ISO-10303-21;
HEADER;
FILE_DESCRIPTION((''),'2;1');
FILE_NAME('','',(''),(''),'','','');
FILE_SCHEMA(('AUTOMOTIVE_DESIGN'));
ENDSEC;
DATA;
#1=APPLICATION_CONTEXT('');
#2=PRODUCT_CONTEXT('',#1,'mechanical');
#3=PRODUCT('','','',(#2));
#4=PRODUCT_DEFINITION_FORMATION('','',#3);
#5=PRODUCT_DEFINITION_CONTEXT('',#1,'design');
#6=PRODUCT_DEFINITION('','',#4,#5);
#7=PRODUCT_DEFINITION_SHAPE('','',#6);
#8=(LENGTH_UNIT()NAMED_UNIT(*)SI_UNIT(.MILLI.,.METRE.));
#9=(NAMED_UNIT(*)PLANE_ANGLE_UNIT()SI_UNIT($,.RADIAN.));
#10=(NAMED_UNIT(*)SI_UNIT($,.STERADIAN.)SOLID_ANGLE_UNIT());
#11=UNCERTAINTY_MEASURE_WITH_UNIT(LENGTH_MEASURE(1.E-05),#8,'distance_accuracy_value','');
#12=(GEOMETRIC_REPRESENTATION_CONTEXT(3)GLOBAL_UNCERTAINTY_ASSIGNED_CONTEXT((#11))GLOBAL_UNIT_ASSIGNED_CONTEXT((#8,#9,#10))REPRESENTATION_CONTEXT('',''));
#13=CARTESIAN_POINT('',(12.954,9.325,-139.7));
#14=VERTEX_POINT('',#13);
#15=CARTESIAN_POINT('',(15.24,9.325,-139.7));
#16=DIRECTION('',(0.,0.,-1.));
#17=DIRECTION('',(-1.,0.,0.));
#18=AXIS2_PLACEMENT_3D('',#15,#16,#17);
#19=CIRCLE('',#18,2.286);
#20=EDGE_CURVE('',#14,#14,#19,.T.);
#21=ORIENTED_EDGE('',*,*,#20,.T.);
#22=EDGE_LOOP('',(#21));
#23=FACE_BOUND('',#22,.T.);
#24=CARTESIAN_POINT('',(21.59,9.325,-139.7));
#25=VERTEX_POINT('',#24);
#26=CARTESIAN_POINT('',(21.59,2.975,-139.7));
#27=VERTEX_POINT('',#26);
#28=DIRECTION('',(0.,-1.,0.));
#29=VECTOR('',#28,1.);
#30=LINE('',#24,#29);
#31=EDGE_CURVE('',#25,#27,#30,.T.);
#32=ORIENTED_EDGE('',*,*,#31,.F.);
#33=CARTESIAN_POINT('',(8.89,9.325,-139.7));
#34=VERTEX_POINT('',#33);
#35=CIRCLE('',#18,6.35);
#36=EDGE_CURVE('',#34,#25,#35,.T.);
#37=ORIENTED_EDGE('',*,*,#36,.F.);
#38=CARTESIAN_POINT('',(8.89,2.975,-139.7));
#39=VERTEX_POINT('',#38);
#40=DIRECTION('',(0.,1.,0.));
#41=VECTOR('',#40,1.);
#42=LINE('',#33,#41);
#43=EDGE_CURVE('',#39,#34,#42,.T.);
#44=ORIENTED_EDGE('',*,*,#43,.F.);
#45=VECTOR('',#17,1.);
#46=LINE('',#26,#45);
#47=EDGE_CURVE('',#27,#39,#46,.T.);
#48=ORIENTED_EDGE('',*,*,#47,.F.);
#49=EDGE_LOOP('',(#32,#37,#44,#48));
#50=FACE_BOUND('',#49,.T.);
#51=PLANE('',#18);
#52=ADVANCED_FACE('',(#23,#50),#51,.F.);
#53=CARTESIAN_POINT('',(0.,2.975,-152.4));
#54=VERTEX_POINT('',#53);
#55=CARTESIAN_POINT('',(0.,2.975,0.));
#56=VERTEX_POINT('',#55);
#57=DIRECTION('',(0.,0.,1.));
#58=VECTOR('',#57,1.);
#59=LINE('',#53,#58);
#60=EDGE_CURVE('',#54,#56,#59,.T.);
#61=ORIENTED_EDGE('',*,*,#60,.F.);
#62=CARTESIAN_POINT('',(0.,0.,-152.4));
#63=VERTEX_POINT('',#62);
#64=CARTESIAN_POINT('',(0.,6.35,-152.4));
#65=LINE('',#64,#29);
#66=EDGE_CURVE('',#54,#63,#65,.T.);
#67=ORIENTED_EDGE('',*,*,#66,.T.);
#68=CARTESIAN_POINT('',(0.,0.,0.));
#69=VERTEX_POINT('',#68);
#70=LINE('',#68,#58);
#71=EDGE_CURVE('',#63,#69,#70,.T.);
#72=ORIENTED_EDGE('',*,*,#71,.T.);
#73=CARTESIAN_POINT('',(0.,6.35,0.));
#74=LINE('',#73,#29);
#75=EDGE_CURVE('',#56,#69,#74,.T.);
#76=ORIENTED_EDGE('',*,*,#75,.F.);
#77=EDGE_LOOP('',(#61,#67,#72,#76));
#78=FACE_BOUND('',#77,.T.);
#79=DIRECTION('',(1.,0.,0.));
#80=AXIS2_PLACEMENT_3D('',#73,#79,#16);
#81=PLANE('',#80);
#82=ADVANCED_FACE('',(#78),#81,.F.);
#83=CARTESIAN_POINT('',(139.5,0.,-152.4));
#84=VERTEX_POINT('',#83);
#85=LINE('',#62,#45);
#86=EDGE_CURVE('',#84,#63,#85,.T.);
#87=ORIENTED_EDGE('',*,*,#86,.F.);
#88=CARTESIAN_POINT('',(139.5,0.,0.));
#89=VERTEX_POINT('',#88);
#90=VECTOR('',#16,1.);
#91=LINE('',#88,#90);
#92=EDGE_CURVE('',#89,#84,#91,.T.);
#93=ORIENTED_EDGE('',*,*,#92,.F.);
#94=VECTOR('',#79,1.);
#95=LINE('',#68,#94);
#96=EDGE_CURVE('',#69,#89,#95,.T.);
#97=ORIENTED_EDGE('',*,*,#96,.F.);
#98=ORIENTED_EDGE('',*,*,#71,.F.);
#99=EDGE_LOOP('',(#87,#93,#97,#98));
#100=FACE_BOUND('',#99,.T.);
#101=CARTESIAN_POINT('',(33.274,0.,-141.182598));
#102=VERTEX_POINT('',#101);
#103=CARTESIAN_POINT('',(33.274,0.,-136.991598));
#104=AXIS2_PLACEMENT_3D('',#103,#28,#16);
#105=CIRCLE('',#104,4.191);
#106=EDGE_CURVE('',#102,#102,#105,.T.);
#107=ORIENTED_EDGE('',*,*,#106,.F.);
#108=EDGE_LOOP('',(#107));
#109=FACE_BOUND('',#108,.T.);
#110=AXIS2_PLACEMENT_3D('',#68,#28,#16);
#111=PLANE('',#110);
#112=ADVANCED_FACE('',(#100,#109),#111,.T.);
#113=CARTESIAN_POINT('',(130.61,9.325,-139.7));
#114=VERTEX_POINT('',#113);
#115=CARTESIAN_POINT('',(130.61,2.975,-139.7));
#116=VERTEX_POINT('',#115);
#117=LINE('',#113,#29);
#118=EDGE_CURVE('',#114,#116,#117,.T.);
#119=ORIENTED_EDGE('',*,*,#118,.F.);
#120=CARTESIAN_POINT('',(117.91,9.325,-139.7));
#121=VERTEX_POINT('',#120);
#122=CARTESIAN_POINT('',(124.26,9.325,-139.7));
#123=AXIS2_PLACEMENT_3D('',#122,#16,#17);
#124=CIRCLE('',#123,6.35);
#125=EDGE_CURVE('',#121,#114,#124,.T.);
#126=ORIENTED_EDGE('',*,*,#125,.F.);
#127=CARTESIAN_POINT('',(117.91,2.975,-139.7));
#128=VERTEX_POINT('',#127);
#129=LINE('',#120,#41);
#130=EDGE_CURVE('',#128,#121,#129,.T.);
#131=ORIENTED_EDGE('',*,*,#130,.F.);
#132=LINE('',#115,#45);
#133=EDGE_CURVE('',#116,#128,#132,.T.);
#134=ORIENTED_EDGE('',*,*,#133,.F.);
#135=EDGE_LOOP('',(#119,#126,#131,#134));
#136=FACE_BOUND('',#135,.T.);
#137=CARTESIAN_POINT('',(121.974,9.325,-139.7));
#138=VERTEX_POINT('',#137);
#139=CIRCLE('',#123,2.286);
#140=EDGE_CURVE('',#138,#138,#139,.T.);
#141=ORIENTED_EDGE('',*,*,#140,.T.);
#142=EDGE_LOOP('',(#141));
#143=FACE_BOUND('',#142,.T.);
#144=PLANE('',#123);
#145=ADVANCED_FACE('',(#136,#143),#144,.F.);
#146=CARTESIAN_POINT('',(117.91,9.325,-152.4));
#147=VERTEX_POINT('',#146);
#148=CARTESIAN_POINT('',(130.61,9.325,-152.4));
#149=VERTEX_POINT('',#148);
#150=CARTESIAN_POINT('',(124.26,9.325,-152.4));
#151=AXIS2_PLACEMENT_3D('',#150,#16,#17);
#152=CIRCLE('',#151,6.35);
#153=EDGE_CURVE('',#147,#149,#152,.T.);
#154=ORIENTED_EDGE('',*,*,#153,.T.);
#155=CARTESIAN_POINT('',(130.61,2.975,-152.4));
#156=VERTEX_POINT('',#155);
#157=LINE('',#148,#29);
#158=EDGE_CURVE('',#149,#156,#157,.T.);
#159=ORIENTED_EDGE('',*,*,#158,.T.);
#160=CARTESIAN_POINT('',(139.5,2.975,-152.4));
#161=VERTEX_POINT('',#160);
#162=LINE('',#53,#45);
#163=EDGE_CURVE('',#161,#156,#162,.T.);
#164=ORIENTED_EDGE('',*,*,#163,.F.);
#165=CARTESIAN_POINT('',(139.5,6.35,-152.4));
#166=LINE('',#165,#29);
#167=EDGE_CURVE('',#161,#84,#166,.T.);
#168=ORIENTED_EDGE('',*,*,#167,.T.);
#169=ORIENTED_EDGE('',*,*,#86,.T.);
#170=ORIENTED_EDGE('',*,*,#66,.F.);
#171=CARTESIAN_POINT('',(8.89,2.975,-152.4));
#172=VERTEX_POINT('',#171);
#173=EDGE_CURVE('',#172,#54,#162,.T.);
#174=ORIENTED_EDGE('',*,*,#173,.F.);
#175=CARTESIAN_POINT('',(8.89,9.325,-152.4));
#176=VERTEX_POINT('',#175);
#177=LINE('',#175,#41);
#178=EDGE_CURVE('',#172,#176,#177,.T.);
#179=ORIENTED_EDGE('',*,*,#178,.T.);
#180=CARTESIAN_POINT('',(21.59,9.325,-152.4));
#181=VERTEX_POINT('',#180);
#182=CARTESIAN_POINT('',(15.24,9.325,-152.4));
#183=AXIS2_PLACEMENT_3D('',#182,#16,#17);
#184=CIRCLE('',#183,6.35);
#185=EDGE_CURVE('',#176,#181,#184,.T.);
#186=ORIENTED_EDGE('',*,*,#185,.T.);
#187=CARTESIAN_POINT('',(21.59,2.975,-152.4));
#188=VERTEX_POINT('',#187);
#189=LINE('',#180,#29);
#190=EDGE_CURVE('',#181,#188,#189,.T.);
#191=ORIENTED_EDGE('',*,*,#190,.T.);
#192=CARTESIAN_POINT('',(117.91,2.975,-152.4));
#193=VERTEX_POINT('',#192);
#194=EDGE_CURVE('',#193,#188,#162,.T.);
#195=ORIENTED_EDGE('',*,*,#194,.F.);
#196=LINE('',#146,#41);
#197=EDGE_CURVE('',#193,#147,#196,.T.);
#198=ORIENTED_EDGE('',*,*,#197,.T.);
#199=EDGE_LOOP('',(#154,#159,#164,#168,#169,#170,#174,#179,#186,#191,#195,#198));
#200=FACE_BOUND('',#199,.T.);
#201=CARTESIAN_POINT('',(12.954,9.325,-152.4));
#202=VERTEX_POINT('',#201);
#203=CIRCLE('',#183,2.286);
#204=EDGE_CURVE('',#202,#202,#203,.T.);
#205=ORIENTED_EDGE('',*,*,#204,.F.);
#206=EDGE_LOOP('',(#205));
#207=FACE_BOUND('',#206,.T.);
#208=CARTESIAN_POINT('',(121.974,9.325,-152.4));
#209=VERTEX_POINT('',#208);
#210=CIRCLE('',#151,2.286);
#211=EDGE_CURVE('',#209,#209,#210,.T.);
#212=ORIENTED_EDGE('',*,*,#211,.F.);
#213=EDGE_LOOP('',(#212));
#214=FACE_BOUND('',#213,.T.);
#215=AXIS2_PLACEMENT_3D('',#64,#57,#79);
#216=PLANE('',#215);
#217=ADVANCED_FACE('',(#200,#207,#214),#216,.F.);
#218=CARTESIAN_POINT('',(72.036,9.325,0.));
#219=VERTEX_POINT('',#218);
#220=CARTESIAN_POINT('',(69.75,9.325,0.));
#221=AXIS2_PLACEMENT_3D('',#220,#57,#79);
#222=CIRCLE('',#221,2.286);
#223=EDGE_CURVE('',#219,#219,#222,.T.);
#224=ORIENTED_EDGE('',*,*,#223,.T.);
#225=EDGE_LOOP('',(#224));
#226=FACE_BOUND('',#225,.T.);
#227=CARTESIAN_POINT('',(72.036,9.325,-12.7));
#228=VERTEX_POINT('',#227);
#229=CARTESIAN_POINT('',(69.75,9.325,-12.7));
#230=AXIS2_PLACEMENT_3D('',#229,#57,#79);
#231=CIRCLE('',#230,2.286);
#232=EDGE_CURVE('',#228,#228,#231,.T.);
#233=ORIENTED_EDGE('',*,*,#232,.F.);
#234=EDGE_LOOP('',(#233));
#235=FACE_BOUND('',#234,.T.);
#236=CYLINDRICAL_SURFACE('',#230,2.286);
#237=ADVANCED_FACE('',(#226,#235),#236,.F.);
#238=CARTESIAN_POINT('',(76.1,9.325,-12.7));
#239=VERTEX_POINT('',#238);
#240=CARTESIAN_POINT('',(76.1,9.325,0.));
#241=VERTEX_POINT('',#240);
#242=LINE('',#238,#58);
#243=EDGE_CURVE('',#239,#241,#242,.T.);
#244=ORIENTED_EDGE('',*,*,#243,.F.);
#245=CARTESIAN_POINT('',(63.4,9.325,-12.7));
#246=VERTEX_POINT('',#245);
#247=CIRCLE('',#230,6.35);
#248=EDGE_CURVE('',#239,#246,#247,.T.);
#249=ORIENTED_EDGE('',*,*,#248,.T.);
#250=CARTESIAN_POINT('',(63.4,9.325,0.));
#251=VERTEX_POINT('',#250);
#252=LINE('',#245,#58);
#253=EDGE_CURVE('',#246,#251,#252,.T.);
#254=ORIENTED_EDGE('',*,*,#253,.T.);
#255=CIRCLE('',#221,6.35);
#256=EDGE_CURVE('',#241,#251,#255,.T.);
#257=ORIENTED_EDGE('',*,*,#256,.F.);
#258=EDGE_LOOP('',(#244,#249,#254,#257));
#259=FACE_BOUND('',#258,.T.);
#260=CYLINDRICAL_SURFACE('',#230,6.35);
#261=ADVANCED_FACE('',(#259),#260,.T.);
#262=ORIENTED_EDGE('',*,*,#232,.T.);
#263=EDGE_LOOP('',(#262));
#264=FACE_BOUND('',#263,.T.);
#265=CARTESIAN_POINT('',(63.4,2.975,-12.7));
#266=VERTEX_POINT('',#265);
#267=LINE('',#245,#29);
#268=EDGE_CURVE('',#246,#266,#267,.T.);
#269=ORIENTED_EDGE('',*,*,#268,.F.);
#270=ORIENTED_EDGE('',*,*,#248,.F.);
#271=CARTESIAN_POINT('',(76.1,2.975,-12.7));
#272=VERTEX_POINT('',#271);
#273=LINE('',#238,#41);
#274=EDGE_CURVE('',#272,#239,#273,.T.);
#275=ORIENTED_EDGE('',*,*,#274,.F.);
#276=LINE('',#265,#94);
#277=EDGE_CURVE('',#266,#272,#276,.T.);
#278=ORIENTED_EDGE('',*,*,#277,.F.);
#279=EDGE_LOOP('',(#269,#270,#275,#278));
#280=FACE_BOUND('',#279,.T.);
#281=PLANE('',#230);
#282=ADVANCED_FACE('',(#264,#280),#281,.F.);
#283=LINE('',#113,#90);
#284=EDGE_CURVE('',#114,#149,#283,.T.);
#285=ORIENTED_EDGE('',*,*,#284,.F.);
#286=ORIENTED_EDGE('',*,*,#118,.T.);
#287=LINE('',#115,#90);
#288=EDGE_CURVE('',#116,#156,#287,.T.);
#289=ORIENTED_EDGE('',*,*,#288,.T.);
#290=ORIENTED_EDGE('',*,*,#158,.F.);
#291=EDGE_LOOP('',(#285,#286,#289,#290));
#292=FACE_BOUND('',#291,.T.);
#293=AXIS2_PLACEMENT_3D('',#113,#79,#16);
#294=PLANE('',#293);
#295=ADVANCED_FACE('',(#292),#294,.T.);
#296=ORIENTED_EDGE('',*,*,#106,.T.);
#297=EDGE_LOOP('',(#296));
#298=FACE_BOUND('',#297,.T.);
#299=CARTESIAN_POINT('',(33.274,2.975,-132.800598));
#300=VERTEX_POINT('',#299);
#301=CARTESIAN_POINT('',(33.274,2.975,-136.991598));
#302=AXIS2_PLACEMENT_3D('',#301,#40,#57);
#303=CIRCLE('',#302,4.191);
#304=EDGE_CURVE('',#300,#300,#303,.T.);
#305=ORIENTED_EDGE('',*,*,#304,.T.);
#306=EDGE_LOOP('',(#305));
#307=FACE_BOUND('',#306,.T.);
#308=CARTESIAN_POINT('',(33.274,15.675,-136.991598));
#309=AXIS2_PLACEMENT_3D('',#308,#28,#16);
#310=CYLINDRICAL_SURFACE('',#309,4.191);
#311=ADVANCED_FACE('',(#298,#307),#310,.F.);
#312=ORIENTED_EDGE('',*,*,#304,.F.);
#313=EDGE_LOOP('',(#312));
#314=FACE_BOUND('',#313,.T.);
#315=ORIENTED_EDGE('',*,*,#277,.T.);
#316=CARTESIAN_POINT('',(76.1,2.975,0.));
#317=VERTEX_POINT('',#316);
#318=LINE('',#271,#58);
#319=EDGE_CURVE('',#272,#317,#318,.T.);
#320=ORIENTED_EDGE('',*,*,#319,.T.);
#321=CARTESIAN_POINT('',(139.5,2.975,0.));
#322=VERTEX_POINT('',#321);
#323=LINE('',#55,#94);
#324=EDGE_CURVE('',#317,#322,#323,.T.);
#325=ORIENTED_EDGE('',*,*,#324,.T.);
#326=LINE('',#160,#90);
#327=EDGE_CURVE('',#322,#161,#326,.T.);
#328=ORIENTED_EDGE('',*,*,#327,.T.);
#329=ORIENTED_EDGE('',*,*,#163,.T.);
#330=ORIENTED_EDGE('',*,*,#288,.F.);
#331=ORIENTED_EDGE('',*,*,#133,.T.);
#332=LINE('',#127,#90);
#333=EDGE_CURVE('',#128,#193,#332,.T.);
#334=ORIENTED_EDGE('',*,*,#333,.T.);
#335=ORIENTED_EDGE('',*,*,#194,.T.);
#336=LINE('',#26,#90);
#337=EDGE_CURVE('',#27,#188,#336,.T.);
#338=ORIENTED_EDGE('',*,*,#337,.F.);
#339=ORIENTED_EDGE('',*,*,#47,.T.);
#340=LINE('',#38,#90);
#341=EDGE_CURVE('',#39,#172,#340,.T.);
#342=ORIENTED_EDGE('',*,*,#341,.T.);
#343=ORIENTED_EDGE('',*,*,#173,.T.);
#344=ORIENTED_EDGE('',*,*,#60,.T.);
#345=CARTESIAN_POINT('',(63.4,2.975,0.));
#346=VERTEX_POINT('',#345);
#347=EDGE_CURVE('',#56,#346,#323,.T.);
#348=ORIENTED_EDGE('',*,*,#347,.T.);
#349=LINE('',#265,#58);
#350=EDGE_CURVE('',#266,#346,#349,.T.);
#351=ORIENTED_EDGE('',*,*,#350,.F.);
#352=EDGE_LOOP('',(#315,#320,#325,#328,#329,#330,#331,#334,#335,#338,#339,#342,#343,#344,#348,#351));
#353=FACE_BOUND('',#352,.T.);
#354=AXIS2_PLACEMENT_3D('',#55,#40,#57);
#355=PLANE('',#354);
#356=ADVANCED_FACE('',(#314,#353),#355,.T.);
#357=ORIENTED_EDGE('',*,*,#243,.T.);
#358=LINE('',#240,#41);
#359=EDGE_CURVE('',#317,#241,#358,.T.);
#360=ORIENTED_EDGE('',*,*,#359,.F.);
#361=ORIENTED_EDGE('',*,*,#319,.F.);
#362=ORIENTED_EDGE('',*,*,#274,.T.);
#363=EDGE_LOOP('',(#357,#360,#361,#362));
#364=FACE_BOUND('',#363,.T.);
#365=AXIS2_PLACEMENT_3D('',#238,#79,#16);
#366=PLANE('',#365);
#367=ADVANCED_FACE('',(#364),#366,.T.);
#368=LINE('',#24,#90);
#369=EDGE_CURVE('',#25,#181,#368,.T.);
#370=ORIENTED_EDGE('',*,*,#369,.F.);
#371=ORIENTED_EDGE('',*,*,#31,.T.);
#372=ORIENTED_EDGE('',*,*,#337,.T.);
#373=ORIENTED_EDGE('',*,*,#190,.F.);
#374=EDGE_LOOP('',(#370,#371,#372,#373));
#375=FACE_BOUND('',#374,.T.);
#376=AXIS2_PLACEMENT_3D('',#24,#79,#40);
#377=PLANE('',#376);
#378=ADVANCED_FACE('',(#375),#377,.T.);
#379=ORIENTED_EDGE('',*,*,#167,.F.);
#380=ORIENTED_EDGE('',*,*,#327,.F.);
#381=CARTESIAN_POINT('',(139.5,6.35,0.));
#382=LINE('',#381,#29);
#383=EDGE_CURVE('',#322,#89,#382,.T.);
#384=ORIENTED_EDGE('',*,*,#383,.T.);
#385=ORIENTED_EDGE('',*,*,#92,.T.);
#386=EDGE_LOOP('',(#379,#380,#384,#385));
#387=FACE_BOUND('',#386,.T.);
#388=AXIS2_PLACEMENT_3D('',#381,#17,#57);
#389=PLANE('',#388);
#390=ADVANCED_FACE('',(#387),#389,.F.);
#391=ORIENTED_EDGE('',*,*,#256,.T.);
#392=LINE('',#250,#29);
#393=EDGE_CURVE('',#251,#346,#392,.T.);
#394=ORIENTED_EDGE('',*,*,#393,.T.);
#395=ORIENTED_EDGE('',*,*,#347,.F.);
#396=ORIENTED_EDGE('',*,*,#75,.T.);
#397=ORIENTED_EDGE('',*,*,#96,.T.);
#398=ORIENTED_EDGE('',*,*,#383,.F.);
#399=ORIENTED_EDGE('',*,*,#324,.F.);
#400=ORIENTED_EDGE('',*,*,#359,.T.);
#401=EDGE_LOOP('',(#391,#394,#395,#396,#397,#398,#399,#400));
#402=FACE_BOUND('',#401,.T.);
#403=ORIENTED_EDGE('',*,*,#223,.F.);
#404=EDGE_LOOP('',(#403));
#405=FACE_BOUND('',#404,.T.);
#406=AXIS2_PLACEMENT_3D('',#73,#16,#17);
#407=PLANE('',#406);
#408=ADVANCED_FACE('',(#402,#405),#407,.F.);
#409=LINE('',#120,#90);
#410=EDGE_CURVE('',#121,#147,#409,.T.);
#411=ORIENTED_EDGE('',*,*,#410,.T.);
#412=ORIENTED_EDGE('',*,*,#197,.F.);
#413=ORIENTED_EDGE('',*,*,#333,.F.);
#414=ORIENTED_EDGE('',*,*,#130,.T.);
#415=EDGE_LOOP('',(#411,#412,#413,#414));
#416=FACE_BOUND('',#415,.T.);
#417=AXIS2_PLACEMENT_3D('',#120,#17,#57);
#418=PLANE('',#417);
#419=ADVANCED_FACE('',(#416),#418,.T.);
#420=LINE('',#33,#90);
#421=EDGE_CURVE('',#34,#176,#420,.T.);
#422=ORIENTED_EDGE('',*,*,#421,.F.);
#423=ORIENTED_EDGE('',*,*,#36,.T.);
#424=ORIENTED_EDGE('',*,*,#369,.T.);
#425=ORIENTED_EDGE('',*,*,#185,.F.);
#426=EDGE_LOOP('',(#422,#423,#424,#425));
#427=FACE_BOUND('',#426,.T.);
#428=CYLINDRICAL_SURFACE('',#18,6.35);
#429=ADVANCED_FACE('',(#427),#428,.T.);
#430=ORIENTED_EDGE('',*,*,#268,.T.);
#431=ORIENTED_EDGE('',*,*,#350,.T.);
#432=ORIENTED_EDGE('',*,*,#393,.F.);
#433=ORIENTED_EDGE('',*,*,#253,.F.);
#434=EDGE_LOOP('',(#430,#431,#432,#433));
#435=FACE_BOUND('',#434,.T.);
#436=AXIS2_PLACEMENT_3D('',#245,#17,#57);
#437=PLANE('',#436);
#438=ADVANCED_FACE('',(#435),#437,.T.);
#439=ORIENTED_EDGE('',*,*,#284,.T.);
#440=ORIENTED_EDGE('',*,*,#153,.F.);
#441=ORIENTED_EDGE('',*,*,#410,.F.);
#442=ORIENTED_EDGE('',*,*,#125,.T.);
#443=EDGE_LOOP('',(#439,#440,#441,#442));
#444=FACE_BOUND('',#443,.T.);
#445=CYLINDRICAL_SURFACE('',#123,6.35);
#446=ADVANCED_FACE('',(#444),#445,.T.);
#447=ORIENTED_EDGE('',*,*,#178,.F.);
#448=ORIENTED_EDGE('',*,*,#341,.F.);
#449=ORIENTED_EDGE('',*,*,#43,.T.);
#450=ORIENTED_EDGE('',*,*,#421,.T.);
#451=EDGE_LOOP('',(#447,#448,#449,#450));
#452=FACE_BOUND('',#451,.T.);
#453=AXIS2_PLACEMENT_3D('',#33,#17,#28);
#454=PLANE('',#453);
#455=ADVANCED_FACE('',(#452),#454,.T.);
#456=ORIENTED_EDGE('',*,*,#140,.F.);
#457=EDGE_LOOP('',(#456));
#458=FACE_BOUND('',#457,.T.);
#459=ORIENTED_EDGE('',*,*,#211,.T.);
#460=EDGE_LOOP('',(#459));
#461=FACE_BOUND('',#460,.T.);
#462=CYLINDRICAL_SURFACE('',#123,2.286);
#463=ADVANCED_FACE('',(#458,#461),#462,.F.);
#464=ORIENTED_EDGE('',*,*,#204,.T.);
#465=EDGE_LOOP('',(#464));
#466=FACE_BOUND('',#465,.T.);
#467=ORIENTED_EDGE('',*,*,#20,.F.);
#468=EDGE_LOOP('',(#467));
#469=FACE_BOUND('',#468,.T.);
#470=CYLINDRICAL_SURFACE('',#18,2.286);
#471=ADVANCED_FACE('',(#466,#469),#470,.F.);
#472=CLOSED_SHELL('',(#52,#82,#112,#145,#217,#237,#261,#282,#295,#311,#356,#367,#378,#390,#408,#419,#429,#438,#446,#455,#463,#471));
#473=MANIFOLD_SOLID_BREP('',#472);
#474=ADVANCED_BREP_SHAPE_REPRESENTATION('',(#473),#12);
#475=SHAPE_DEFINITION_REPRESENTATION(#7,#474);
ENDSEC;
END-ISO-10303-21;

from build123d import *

# Parameters (mm, degrees)
SKETCH1_W           = 139.5
SKETCH1_H           = 152.4
BOSS_EXTRUDE1_DEPTH = 6.35
SKETCH2_W           = 139.5
SKETCH2_H           = 152.4
CUT_EXTRUDE1_DEPTH  = 3.375
SKETCH3_R           = 2.286
BOSS_EXTRUDE2_DEPTH = 12.7
SKETCH4_R           = 2.286
BOSS_EXTRUDE3_DEPTH = 12.7
SKETCH5_R           = 4.191
CUT_EXTRUDE2_DEPTH  = 16.675000158


with BuildPart() as part:
    # Sketch1 → Boss-Extrude1 (new body)
    with BuildSketch(Plane(origin=(0, 0, 0), x_dir=(1, 0, 0), z_dir=(0, 1, 0))):
        with Locations((69.75, 76.2)):
            Rectangle(SKETCH1_W, SKETCH1_H)
    extrude(amount=BOSS_EXTRUDE1_DEPTH)

    # Sketch2 → Cut-Extrude1 (cut)
    with BuildSketch(Plane(origin=(0, 6.35, 0), x_dir=(1, 0, 0), z_dir=(0, 1, 0))):
        with Locations((69.75, 76.2)):
            Rectangle(SKETCH2_W, SKETCH2_H)
    extrude(amount=-CUT_EXTRUDE1_DEPTH, mode=Mode.SUBTRACT)

    # Sketch3 → Boss-Extrude2 (add)
    with BuildSketch(Plane.XY):
        with BuildLine():
            Line((63.4, 9.325), (63.4, 2.975))
            Line((63.4, 2.975), (76.1, 2.975))
            Line((76.1, 2.975), (76.1, 9.325000158))
            ThreePointArc((76.1, 9.325000158), (69.749999921, 15.675000158), (63.4, 9.325))
        make_face()
        with Locations((69.75, 9.325000158)):
            Circle(SKETCH3_R, mode=Mode.SUBTRACT)
    extrude(amount=-BOSS_EXTRUDE2_DEPTH)

    # Sketch4 → Boss-Extrude3 (add)
    with BuildSketch(Plane(origin=(0, 0, -152.4), x_dir=(-1, 0, 0), z_dir=(0, 0, -1))):
        with BuildLine():
            Line((-130.61, 9.325), (-130.61, 2.975))
            Line((-130.61, 2.975), (-117.91, 2.975))
            Line((-117.91, 2.975), (-117.91, 9.325))
            ThreePointArc((-117.91, 9.325), (-124.26, 15.675), (-130.61, 9.325))
        make_face()
        with Locations((-124.26, 9.325)):
            Circle(SKETCH4_R, mode=Mode.SUBTRACT)
        with BuildLine():
            Line((-21.59, 9.325), (-21.59, 2.975))
            Line((-21.59, 2.975), (-8.89, 2.975))
            Line((-8.89, 2.975), (-8.89, 9.325))
            ThreePointArc((-8.89, 9.325), (-15.24, 15.675), (-21.59, 9.325))
        make_face()
        with Locations((-15.24, 9.325)):
            Circle(SKETCH4_R, mode=Mode.SUBTRACT)
    extrude(amount=-BOSS_EXTRUDE3_DEPTH)

    # Sketch5 → Cut-Extrude2 (cut, through all)
    with BuildSketch(Plane.XZ):
        with Locations((33.274, -136.991598)):
            Circle(SKETCH5_R)
    extrude(amount=-CUT_EXTRUDE2_DEPTH, mode=Mode.SUBTRACT)


solid = part.part
